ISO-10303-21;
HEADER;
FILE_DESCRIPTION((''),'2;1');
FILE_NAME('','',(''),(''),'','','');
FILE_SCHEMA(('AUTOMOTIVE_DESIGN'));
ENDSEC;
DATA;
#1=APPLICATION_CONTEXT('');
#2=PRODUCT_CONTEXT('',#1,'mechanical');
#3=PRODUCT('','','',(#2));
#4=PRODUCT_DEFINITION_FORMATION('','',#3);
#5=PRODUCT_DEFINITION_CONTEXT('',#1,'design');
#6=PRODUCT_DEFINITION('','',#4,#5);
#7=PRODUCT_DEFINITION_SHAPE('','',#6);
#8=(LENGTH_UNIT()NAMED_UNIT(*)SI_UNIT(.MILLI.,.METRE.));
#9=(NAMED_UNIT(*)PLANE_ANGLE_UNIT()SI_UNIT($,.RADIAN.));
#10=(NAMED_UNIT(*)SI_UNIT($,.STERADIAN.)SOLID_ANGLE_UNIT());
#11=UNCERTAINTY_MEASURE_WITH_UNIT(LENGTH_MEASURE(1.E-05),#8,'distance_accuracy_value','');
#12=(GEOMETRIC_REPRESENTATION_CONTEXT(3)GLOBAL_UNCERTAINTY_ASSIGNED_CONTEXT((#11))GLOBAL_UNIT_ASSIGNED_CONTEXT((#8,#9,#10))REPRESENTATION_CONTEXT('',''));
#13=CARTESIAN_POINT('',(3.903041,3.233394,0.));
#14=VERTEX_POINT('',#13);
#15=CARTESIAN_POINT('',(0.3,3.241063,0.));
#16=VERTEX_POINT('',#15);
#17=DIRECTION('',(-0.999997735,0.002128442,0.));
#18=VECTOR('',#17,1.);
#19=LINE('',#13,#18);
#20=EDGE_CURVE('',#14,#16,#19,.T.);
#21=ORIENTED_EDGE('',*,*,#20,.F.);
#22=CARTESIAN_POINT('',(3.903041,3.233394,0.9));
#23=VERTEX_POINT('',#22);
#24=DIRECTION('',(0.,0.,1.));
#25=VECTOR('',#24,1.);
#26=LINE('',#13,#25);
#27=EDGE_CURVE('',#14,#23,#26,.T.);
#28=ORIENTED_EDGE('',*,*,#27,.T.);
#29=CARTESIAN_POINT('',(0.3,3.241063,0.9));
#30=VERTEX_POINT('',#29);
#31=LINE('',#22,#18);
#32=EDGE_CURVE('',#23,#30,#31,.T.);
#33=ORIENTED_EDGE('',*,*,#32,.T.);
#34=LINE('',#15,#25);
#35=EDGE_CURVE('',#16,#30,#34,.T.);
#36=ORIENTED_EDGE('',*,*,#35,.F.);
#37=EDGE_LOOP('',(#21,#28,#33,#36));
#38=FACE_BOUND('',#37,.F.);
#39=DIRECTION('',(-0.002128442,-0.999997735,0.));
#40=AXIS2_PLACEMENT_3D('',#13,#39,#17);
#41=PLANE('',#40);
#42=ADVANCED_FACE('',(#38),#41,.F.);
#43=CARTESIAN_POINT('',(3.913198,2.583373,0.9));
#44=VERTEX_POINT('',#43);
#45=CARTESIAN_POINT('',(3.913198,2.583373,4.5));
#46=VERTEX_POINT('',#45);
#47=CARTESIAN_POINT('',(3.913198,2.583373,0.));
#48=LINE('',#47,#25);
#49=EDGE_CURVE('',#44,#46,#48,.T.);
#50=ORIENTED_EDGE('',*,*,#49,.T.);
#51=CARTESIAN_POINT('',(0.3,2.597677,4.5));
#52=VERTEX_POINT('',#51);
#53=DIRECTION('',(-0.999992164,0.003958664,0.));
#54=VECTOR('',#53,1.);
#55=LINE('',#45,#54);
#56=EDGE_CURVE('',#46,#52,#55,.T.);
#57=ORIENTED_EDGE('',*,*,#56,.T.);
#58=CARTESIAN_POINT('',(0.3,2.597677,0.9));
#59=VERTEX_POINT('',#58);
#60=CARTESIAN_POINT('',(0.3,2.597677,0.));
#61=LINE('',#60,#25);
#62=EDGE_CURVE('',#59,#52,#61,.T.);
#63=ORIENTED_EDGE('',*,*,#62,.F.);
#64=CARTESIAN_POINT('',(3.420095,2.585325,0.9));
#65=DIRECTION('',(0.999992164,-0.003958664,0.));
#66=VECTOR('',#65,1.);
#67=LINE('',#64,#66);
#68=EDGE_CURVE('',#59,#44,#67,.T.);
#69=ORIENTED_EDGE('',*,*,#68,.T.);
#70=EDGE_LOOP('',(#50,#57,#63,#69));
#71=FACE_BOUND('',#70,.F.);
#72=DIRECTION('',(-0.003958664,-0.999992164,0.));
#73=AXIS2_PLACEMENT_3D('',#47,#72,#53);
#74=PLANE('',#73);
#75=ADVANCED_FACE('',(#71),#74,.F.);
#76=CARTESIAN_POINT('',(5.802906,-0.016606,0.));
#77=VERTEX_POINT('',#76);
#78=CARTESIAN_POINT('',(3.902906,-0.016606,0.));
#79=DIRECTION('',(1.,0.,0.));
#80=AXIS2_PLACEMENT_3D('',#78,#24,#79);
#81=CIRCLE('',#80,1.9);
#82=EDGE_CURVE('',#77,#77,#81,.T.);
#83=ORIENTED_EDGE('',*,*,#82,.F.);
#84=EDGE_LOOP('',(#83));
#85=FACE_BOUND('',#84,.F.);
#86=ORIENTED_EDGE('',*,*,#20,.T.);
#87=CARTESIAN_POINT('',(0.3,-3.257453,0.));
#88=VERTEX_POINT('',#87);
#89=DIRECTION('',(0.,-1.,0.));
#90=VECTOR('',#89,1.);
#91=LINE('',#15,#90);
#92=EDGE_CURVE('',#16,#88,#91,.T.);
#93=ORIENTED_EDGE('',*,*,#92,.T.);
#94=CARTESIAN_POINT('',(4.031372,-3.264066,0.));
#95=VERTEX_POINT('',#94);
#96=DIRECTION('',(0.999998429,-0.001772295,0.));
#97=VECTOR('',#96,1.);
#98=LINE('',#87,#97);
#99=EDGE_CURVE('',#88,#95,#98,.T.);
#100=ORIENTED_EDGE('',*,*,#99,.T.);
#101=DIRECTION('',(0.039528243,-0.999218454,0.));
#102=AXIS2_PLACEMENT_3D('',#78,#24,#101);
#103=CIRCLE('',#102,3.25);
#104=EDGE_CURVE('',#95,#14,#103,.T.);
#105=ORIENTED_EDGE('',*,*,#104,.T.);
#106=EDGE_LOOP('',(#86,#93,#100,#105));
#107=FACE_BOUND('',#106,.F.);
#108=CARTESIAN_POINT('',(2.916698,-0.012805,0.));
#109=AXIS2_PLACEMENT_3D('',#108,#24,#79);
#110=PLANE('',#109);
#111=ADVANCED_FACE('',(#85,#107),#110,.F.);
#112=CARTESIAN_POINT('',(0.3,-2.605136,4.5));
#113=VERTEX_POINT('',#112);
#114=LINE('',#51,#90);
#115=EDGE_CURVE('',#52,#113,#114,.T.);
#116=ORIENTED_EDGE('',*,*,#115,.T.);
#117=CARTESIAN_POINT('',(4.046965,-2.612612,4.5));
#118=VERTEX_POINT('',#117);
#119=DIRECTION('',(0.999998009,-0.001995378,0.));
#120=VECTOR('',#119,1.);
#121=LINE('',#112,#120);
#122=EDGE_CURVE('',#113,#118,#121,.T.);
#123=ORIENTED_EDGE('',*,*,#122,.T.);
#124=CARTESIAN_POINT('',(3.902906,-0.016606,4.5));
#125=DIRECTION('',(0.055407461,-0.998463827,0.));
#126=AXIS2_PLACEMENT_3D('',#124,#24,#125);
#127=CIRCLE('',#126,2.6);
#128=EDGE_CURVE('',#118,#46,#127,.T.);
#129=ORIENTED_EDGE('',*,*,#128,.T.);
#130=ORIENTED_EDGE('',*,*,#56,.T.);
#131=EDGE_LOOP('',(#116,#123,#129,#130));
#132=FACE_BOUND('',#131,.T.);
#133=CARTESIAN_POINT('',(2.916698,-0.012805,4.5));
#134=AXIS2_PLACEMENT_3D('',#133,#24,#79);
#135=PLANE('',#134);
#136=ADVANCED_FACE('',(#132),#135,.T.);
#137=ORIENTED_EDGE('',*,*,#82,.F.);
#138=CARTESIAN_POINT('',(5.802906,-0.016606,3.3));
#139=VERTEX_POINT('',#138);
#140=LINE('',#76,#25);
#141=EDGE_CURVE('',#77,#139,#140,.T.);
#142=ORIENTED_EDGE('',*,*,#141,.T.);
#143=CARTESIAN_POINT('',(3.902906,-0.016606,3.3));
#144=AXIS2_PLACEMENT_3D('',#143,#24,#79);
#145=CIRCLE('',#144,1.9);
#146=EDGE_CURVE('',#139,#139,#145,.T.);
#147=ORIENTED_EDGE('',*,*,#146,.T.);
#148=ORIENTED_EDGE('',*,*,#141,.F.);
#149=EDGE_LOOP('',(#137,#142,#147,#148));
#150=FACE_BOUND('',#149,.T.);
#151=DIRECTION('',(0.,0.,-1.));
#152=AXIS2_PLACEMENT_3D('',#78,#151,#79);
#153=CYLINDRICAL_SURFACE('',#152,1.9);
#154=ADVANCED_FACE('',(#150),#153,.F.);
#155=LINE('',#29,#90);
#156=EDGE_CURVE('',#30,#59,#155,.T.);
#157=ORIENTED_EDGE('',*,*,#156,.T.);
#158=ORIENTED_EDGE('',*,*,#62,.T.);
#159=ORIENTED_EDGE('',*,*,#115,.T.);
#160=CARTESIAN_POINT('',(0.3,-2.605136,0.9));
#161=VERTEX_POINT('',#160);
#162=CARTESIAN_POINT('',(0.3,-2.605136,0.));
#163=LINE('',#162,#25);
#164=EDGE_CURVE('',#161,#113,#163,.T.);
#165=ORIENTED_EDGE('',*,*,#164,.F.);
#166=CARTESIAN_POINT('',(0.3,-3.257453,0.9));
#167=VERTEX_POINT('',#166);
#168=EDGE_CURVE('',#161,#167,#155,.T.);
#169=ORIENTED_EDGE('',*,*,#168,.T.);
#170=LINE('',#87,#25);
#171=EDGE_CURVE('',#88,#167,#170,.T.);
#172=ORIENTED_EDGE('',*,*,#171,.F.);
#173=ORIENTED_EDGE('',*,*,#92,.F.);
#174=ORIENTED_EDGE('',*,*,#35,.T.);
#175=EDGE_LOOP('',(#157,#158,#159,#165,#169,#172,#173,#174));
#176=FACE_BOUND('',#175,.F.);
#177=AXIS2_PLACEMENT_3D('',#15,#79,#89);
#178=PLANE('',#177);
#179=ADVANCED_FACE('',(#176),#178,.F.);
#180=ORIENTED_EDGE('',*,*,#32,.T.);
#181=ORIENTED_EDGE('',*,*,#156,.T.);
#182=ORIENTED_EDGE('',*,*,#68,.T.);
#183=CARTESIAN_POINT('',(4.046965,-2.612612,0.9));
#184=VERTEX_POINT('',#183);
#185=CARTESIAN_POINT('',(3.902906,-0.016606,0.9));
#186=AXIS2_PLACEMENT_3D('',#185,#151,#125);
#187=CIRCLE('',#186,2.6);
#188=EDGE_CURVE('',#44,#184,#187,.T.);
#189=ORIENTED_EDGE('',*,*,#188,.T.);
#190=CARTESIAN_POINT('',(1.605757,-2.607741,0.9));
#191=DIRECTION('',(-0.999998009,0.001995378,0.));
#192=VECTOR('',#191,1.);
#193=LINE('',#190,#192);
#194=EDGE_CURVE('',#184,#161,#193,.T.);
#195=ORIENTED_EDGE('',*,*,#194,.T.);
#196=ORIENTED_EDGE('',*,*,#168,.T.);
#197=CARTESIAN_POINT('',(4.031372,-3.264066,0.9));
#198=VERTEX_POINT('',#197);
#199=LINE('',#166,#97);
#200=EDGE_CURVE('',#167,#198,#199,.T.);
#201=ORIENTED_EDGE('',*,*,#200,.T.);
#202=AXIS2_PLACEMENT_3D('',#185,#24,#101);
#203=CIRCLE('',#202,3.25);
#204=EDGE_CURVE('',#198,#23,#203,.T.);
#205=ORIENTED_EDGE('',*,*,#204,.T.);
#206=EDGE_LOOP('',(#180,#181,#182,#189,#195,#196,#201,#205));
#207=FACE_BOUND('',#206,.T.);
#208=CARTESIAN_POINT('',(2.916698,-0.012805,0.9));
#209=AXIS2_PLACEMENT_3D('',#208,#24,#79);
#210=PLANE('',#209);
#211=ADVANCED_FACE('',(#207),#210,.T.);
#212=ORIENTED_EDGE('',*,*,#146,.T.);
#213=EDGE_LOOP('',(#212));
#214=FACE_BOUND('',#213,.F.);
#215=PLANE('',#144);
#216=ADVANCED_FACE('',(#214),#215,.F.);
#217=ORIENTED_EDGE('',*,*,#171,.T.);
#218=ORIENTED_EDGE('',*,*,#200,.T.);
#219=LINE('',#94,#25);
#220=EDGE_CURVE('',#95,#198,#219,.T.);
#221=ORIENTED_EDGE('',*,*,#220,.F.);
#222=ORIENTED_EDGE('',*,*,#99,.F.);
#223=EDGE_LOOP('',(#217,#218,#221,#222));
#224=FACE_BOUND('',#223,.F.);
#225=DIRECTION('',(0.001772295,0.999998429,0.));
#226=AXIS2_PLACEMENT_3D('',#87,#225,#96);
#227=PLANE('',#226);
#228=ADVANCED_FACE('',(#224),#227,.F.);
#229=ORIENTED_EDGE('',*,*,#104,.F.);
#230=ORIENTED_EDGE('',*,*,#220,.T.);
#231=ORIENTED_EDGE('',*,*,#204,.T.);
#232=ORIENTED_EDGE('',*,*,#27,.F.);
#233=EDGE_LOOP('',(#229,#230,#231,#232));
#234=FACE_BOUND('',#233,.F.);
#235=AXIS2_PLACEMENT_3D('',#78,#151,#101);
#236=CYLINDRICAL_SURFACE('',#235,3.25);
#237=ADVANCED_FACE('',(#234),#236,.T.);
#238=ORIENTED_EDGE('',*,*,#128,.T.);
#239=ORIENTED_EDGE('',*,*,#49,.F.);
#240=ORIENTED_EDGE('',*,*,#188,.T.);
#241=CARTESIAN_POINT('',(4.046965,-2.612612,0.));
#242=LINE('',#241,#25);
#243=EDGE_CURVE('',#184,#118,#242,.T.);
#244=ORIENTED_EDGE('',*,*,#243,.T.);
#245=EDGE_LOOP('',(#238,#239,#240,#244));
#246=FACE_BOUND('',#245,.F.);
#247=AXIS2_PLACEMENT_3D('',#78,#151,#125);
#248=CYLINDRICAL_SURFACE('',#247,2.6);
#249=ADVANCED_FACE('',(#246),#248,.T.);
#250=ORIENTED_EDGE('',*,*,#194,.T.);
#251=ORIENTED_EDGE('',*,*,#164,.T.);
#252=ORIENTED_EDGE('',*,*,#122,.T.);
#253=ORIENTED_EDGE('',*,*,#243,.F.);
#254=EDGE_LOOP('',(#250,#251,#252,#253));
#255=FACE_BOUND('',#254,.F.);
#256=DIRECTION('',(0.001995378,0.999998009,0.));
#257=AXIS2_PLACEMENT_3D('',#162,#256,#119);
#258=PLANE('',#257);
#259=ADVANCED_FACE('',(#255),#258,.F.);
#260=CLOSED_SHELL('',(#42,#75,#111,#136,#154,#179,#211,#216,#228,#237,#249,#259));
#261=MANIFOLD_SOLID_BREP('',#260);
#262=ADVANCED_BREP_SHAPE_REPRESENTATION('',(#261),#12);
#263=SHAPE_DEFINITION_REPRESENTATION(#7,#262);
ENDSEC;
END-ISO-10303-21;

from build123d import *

# Parameters (mm, degrees)
F0_R     = 1.9
F1_DEPTH = 0.9
F2_DEPTH = 4.5
F3_DEPTH = 3.3


with BuildPart() as f1:
    # F0 (on Top) → F1 (new body)
    with BuildSketch(Plane.XY):
        with BuildLine():
            Line((-0.3, 2.6000520814), (-3.8955825641, 2.5999907979))
            ThreePointArc((-3.8955825641, 2.5999907979), (-6.5018304859, -0.0590002136), (-3.7776200645, -2.5969992302))
            Line((-3.7776200645, -2.5969992302), (-0.3, -2.6039384091))
            Line((-0.3, -2.6039384091), (-0.3, 2.6000520814))
        make_face()
        with Locations((-3.9025, 0)):
            Circle(F0_R, mode=Mode.SUBTRACT)
        with BuildLine():
            ThreePointArc((-3.7776200645, -2.5969992302), (-6.5018304859, -0.0590002136), (-3.8955825641, 2.5999907979))
            Line((-3.8955825641, 2.5999907979), (-0.3, 2.6000520814))
            Line((-0.3, 2.6000520814), (-0.3, 3.2423396327))
            Line((-0.3, 3.2423396327), (-3.8955825641, 3.2499926383))
            ThreePointArc((-3.8955825641, 3.2499926383), (-7.1524938186, 0.0063386972), (-3.9082599583, -3.2499948958))
            Line((-3.9082599583, -3.2499948958), (-0.3, -3.2563898065))
            Line((-0.3, -3.2563898065), (-0.3, -2.6039384091))
            Line((-0.3, -2.6039384091), (-3.7776200645, -2.5969992302))
        make_face()
        with Locations((-3.9025, 0)):
            Circle(F0_R)
    extrude(amount=F1_DEPTH)

    # F0 (on Top) → F2 (join)
    with BuildSketch(Plane.XY):
        with BuildLine():
            Line((-0.3, 2.6000520814), (-3.8955825641, 2.5999907979))
            ThreePointArc((-3.8955825641, 2.5999907979), (-6.5018304859, -0.0590002136), (-3.7776200645, -2.5969992302))
            Line((-3.7776200645, -2.5969992302), (-0.3, -2.6039384091))
            Line((-0.3, -2.6039384091), (-0.3, 2.6000520814))
        make_face()
        with Locations((-3.9025, 0)):
            Circle(F0_R, mode=Mode.SUBTRACT)
        with Locations((-3.9025, 0)):
            Circle(F0_R)
    extrude(amount=F2_DEPTH)


with BuildPart() as f1b:
    # F0 (on Top) → F1, piece 2 (new body)
    with BuildSketch(Plane.XY):
        with BuildLine():
            Line((0.3, 2.5976768642), (0.3, -2.6051356381))
            Line((0.3, -2.6051356381), (4.0469650256, -2.612612263))
            ThreePointArc((4.0469650256, -2.612612263), (6.5020444574, 0.0503066263), (3.913198154, 2.5833733141))
            Line((3.913198154, 2.5833733141), (0.3, 2.5976768642))
        make_face()
        with Locations((3.9029056272, -0.0166063135)):
            Circle(F0_R, mode=Mode.SUBTRACT)
        with BuildLine():
            Line((0.3, -2.6051356381), (0.3, -3.257453185))
            Line((0.3, -3.257453185), (4.0313724183, -3.2640662876))
            ThreePointArc((4.0313724183, -3.2640662876), (7.1522718987, 0.0475718266), (3.9030412728, 3.2333936837))
            Line((3.9030412728, 3.2333936837), (0.3, 3.2410625647))
            Line((0.3, 3.2410625647), (0.3, 2.5976768642))
            Line((0.3, 2.5976768642), (3.913198154, 2.5833733141))
            ThreePointArc((3.913198154, 2.5833733141), (6.5020444574, 0.0503066263), (4.0469650256, -2.612612263))
            Line((4.0469650256, -2.612612263), (0.3, -2.6051356381))
        make_face()
        with Locations((3.9029056272, -0.0166063135)):
            Circle(F0_R)
    extrude(amount=F1_DEPTH)

    # F0 (on Top) → F2, piece 2 (join)
    with BuildSketch(Plane.XY):
        with BuildLine():
            Line((0.3, 2.5976768642), (0.3, -2.6051356381))
            Line((0.3, -2.6051356381), (4.0469650256, -2.612612263))
            ThreePointArc((4.0469650256, -2.612612263), (6.5020444574, 0.0503066263), (3.913198154, 2.5833733141))
            Line((3.913198154, 2.5833733141), (0.3, 2.5976768642))
        make_face()
        with Locations((3.9029056272, -0.0166063135)):
            Circle(F0_R, mode=Mode.SUBTRACT)
        with Locations((3.9029056272, -0.0166063135)):
            Circle(F0_R)
    extrude(amount=F2_DEPTH)


with BuildPart() as f3_tool:
    # F0 (on Top) → F3 (new body)
    with BuildSketch(Plane.XY):
        with Locations((-3.9025, 0)):
            Circle(F0_R)
        with Locations((3.9029056272, -0.0166063135)):
            Circle(F0_R)
    extrude(amount=F3_DEPTH)


with BuildPart() as f1_1:
    add(f1.part)

    # F3: cut by f3_tool
    add(f3_tool.part, mode=Mode.SUBTRACT)


with BuildPart() as f1b_1:
    add(f1b.part)

    # F3: cut by f3_tool
    add(f3_tool.part, mode=Mode.SUBTRACT)


solid = f1b_1.part
